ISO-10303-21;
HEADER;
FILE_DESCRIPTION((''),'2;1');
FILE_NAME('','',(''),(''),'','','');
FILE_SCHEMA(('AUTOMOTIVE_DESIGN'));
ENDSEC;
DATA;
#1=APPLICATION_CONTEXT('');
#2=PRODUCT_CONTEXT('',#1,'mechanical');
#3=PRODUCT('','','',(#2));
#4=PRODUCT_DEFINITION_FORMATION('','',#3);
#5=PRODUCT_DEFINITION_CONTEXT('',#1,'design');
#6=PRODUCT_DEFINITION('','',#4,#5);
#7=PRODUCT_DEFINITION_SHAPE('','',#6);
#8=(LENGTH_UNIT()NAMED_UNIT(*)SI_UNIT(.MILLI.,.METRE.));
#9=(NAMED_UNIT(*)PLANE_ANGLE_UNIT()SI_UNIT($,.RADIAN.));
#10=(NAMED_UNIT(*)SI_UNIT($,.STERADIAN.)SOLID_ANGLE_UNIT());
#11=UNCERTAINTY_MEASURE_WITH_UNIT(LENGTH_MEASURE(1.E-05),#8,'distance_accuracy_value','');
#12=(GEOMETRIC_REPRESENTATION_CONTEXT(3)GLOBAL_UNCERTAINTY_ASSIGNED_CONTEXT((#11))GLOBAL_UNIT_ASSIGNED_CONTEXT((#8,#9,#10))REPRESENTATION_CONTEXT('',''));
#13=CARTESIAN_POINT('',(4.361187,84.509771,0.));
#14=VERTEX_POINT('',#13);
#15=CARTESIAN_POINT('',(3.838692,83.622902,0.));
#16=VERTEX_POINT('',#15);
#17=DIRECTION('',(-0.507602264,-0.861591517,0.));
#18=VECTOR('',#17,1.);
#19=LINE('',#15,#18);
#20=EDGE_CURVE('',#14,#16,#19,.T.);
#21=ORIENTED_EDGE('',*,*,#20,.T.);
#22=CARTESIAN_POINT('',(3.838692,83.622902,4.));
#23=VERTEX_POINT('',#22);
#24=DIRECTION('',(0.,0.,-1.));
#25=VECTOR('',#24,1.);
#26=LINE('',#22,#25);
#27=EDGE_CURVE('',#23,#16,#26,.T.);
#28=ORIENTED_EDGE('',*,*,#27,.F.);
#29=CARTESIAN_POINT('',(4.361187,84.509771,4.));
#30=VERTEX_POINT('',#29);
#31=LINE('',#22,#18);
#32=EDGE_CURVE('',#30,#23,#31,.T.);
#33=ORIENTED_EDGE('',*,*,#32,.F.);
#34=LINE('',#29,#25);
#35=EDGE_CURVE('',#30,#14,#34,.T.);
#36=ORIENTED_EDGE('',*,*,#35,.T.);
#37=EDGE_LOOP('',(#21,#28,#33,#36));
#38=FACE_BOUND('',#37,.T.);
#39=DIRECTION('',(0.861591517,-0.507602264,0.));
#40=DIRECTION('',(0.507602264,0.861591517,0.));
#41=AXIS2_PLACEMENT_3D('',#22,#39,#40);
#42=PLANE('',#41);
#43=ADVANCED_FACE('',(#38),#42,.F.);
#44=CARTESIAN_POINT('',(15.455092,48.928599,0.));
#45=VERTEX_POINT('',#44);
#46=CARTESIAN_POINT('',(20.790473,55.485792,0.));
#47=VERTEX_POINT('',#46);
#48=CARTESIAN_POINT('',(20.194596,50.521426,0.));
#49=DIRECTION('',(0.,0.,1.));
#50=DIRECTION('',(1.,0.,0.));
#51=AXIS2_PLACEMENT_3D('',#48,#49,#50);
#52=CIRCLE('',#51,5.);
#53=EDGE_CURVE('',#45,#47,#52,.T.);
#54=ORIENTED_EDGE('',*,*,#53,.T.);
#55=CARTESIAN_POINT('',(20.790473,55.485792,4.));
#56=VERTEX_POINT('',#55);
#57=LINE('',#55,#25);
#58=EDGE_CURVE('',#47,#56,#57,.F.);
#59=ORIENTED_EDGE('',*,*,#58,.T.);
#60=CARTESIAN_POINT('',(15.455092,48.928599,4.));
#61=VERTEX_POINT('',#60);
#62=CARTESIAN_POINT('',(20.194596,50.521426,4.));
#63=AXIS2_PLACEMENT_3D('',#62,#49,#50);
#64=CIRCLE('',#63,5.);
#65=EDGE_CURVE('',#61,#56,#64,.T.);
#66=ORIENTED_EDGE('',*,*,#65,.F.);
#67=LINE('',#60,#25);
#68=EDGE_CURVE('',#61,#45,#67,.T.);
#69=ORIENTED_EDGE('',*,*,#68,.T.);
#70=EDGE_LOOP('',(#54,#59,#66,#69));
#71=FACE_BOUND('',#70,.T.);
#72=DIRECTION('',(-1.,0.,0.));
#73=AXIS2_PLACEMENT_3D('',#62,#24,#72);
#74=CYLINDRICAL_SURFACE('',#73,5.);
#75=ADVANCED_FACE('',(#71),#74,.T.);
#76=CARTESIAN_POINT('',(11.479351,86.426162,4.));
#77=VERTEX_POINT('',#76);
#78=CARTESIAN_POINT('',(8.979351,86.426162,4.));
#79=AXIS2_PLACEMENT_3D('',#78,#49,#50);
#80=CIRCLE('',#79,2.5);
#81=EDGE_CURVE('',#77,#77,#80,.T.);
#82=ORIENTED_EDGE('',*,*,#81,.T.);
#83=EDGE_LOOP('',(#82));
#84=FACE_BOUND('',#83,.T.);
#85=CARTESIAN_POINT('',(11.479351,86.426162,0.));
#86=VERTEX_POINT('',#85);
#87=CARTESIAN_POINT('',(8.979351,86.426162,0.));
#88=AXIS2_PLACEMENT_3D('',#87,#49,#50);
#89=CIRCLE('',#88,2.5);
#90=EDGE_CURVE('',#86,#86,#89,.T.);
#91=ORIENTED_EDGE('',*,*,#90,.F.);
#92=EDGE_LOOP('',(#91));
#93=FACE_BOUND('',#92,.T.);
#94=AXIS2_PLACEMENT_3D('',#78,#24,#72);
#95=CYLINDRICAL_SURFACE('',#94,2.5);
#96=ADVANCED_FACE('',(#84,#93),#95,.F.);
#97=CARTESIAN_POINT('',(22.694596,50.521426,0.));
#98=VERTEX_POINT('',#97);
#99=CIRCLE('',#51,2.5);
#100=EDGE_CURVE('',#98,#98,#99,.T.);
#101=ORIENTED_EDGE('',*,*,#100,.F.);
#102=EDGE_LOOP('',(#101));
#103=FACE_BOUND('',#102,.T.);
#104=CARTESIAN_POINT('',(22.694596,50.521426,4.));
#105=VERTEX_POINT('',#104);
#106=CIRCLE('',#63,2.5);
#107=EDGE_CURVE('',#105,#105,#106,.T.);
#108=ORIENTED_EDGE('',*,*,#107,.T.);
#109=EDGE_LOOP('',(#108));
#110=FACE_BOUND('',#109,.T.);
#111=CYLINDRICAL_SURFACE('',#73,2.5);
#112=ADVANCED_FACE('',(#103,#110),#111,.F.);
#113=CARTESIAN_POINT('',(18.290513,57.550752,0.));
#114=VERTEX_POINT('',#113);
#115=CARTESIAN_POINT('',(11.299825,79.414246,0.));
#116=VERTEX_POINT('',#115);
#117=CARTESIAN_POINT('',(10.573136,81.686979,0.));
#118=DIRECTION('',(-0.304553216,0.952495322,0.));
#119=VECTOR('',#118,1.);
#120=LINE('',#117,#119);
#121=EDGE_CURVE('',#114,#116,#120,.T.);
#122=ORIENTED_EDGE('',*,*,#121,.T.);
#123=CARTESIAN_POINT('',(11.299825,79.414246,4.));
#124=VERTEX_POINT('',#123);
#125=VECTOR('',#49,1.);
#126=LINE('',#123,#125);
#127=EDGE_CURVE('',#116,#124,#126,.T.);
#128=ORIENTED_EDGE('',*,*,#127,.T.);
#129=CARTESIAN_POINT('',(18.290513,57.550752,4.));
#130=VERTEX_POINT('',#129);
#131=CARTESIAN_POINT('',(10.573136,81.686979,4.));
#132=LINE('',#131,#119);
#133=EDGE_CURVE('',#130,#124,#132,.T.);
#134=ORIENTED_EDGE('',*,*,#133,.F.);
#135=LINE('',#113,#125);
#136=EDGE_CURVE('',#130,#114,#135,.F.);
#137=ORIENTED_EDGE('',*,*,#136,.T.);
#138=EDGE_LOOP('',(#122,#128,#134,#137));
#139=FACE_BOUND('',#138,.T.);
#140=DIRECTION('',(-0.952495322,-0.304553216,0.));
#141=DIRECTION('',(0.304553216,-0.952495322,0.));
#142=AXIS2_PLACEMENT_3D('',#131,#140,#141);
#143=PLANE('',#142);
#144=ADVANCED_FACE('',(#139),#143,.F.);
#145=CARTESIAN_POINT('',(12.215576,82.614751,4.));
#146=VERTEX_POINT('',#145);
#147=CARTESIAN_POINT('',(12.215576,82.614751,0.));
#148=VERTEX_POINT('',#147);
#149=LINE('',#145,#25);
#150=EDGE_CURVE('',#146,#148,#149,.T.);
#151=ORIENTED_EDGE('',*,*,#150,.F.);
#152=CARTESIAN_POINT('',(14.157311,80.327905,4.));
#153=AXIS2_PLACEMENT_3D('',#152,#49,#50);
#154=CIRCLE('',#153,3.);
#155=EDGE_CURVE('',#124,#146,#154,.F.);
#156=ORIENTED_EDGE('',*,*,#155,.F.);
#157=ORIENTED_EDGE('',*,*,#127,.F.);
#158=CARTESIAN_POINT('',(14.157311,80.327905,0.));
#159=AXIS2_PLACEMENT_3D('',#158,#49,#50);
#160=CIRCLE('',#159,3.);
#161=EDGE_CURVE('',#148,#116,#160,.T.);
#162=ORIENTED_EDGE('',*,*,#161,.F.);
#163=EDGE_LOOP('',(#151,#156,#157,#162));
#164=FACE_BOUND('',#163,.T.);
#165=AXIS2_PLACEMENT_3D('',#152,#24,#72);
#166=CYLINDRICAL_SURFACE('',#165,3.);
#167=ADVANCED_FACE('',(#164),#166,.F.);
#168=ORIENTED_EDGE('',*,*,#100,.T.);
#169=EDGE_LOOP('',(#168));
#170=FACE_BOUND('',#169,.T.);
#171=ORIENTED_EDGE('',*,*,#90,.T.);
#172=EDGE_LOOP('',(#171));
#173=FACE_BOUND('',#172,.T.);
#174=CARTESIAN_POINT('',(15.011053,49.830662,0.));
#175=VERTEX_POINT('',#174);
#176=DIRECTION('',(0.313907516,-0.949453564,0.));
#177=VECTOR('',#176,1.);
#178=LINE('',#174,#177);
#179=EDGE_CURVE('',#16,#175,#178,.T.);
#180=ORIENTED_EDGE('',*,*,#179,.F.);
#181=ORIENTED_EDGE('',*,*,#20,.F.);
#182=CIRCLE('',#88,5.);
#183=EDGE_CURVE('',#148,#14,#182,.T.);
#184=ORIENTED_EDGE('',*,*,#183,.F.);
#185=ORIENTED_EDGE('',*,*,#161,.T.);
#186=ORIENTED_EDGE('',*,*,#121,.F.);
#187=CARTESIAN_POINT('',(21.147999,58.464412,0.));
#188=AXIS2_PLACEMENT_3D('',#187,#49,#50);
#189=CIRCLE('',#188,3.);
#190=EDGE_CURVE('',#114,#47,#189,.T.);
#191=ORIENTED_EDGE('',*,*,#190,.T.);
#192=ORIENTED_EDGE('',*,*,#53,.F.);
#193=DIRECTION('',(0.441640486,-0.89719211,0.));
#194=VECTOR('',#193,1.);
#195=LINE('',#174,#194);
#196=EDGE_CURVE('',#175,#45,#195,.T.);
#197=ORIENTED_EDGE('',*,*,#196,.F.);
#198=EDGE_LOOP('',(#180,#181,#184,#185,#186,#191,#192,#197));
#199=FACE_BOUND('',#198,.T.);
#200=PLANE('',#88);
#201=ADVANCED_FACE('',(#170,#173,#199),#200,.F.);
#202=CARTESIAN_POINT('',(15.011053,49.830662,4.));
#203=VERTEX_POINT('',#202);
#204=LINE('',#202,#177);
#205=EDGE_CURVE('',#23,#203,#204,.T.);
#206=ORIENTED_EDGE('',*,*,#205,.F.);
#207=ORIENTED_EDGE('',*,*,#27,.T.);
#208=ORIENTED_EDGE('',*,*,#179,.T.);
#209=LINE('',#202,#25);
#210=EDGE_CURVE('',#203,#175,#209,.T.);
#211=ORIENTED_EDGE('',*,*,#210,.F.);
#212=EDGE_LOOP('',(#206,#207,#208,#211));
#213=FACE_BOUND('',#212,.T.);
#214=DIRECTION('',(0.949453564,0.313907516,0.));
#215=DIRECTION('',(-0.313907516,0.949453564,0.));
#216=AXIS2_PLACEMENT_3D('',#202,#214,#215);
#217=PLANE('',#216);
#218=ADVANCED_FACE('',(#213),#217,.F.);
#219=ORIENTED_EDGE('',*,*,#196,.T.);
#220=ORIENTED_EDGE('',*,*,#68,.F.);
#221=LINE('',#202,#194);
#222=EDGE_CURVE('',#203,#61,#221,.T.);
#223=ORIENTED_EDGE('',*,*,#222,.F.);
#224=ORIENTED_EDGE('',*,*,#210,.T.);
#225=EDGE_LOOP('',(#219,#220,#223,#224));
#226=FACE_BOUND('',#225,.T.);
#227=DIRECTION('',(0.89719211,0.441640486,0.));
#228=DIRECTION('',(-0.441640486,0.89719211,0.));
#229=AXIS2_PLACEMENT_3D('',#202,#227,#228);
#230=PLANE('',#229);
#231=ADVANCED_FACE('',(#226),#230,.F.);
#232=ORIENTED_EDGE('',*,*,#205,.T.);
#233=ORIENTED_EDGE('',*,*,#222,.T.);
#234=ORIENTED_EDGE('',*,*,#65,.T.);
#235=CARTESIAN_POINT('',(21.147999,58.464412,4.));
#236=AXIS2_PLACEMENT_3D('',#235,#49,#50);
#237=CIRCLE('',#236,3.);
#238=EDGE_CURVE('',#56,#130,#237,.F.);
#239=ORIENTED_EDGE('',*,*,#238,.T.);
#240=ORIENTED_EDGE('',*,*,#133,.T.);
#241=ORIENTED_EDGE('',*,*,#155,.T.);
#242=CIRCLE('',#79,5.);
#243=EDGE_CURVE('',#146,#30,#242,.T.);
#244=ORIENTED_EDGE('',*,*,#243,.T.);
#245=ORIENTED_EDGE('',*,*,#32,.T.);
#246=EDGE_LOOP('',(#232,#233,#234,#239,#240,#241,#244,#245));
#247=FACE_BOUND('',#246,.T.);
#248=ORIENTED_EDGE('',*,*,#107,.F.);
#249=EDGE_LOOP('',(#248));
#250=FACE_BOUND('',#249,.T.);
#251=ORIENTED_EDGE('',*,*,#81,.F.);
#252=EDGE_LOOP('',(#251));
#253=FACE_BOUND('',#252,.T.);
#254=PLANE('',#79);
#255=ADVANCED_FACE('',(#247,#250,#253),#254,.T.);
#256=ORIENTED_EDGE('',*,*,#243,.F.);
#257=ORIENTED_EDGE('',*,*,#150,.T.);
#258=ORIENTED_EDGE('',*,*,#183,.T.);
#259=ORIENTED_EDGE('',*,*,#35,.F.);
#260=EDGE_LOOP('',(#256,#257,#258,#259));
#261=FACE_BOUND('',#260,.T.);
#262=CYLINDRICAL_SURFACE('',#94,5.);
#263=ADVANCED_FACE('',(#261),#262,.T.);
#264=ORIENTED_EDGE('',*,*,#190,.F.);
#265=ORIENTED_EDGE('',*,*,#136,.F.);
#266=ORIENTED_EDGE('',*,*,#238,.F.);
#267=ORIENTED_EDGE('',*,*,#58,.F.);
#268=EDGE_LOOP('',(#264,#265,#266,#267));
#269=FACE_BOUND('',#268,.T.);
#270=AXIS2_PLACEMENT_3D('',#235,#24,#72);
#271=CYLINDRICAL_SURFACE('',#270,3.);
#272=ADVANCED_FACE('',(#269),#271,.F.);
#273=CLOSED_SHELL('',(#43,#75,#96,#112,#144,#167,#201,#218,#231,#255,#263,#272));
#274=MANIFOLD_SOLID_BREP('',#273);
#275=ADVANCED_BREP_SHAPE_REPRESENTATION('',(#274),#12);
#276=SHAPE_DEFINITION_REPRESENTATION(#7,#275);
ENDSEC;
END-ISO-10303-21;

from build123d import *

# Parameters (mm, degrees)
SKETCH1_R           = 2.5
BOSS_EXTRUDE1_DEPTH = 4
FILLET2_R           = 3


with BuildPart() as part:
    # Sketch1 → Boss-Extrude1 (new body)
    with BuildSketch(Plane.XY):
        with BuildLine():
            Line((15.011053362, 49.830662375), (3.838692378, 83.622901822))
            Line((3.838692378, 83.622901822), (4.361186649, 84.509770663))
            ThreePointArc((4.361186649, 84.509770663), (11.04786713, 90.978220722), (10.57313596, 81.686979022))
            Line((10.57313596, 81.686979022), (18.898131325, 55.650415498))
            Line((18.898131325, 55.650415498), (18.969275223, 55.368960637))
            ThreePointArc((18.969275223, 55.368960637), (24.583713079, 48.126504338), (15.45509163, 48.928599175))
            Line((15.45509163, 48.928599175), (15.011053362, 49.830662375))
        make_face()
        with Locations((8.979351439, 86.426161535)):
            Circle(SKETCH1_R, mode=Mode.SUBTRACT)
        with Locations((20.194596002, 50.521426317)):
            Circle(SKETCH1_R, mode=Mode.SUBTRACT)
    extrude(amount=BOSS_EXTRUDE1_DEPTH)

    # Fillet2
    fillet2_edges = [part.edges().sort_by_distance(p)[0] for p in [
        (18.969275223, 55.368960637, 2),
        (10.57313596, 81.686979022, 2),
    ]]
    fillet(fillet2_edges, radius=FILLET2_R)


solid = part.part
